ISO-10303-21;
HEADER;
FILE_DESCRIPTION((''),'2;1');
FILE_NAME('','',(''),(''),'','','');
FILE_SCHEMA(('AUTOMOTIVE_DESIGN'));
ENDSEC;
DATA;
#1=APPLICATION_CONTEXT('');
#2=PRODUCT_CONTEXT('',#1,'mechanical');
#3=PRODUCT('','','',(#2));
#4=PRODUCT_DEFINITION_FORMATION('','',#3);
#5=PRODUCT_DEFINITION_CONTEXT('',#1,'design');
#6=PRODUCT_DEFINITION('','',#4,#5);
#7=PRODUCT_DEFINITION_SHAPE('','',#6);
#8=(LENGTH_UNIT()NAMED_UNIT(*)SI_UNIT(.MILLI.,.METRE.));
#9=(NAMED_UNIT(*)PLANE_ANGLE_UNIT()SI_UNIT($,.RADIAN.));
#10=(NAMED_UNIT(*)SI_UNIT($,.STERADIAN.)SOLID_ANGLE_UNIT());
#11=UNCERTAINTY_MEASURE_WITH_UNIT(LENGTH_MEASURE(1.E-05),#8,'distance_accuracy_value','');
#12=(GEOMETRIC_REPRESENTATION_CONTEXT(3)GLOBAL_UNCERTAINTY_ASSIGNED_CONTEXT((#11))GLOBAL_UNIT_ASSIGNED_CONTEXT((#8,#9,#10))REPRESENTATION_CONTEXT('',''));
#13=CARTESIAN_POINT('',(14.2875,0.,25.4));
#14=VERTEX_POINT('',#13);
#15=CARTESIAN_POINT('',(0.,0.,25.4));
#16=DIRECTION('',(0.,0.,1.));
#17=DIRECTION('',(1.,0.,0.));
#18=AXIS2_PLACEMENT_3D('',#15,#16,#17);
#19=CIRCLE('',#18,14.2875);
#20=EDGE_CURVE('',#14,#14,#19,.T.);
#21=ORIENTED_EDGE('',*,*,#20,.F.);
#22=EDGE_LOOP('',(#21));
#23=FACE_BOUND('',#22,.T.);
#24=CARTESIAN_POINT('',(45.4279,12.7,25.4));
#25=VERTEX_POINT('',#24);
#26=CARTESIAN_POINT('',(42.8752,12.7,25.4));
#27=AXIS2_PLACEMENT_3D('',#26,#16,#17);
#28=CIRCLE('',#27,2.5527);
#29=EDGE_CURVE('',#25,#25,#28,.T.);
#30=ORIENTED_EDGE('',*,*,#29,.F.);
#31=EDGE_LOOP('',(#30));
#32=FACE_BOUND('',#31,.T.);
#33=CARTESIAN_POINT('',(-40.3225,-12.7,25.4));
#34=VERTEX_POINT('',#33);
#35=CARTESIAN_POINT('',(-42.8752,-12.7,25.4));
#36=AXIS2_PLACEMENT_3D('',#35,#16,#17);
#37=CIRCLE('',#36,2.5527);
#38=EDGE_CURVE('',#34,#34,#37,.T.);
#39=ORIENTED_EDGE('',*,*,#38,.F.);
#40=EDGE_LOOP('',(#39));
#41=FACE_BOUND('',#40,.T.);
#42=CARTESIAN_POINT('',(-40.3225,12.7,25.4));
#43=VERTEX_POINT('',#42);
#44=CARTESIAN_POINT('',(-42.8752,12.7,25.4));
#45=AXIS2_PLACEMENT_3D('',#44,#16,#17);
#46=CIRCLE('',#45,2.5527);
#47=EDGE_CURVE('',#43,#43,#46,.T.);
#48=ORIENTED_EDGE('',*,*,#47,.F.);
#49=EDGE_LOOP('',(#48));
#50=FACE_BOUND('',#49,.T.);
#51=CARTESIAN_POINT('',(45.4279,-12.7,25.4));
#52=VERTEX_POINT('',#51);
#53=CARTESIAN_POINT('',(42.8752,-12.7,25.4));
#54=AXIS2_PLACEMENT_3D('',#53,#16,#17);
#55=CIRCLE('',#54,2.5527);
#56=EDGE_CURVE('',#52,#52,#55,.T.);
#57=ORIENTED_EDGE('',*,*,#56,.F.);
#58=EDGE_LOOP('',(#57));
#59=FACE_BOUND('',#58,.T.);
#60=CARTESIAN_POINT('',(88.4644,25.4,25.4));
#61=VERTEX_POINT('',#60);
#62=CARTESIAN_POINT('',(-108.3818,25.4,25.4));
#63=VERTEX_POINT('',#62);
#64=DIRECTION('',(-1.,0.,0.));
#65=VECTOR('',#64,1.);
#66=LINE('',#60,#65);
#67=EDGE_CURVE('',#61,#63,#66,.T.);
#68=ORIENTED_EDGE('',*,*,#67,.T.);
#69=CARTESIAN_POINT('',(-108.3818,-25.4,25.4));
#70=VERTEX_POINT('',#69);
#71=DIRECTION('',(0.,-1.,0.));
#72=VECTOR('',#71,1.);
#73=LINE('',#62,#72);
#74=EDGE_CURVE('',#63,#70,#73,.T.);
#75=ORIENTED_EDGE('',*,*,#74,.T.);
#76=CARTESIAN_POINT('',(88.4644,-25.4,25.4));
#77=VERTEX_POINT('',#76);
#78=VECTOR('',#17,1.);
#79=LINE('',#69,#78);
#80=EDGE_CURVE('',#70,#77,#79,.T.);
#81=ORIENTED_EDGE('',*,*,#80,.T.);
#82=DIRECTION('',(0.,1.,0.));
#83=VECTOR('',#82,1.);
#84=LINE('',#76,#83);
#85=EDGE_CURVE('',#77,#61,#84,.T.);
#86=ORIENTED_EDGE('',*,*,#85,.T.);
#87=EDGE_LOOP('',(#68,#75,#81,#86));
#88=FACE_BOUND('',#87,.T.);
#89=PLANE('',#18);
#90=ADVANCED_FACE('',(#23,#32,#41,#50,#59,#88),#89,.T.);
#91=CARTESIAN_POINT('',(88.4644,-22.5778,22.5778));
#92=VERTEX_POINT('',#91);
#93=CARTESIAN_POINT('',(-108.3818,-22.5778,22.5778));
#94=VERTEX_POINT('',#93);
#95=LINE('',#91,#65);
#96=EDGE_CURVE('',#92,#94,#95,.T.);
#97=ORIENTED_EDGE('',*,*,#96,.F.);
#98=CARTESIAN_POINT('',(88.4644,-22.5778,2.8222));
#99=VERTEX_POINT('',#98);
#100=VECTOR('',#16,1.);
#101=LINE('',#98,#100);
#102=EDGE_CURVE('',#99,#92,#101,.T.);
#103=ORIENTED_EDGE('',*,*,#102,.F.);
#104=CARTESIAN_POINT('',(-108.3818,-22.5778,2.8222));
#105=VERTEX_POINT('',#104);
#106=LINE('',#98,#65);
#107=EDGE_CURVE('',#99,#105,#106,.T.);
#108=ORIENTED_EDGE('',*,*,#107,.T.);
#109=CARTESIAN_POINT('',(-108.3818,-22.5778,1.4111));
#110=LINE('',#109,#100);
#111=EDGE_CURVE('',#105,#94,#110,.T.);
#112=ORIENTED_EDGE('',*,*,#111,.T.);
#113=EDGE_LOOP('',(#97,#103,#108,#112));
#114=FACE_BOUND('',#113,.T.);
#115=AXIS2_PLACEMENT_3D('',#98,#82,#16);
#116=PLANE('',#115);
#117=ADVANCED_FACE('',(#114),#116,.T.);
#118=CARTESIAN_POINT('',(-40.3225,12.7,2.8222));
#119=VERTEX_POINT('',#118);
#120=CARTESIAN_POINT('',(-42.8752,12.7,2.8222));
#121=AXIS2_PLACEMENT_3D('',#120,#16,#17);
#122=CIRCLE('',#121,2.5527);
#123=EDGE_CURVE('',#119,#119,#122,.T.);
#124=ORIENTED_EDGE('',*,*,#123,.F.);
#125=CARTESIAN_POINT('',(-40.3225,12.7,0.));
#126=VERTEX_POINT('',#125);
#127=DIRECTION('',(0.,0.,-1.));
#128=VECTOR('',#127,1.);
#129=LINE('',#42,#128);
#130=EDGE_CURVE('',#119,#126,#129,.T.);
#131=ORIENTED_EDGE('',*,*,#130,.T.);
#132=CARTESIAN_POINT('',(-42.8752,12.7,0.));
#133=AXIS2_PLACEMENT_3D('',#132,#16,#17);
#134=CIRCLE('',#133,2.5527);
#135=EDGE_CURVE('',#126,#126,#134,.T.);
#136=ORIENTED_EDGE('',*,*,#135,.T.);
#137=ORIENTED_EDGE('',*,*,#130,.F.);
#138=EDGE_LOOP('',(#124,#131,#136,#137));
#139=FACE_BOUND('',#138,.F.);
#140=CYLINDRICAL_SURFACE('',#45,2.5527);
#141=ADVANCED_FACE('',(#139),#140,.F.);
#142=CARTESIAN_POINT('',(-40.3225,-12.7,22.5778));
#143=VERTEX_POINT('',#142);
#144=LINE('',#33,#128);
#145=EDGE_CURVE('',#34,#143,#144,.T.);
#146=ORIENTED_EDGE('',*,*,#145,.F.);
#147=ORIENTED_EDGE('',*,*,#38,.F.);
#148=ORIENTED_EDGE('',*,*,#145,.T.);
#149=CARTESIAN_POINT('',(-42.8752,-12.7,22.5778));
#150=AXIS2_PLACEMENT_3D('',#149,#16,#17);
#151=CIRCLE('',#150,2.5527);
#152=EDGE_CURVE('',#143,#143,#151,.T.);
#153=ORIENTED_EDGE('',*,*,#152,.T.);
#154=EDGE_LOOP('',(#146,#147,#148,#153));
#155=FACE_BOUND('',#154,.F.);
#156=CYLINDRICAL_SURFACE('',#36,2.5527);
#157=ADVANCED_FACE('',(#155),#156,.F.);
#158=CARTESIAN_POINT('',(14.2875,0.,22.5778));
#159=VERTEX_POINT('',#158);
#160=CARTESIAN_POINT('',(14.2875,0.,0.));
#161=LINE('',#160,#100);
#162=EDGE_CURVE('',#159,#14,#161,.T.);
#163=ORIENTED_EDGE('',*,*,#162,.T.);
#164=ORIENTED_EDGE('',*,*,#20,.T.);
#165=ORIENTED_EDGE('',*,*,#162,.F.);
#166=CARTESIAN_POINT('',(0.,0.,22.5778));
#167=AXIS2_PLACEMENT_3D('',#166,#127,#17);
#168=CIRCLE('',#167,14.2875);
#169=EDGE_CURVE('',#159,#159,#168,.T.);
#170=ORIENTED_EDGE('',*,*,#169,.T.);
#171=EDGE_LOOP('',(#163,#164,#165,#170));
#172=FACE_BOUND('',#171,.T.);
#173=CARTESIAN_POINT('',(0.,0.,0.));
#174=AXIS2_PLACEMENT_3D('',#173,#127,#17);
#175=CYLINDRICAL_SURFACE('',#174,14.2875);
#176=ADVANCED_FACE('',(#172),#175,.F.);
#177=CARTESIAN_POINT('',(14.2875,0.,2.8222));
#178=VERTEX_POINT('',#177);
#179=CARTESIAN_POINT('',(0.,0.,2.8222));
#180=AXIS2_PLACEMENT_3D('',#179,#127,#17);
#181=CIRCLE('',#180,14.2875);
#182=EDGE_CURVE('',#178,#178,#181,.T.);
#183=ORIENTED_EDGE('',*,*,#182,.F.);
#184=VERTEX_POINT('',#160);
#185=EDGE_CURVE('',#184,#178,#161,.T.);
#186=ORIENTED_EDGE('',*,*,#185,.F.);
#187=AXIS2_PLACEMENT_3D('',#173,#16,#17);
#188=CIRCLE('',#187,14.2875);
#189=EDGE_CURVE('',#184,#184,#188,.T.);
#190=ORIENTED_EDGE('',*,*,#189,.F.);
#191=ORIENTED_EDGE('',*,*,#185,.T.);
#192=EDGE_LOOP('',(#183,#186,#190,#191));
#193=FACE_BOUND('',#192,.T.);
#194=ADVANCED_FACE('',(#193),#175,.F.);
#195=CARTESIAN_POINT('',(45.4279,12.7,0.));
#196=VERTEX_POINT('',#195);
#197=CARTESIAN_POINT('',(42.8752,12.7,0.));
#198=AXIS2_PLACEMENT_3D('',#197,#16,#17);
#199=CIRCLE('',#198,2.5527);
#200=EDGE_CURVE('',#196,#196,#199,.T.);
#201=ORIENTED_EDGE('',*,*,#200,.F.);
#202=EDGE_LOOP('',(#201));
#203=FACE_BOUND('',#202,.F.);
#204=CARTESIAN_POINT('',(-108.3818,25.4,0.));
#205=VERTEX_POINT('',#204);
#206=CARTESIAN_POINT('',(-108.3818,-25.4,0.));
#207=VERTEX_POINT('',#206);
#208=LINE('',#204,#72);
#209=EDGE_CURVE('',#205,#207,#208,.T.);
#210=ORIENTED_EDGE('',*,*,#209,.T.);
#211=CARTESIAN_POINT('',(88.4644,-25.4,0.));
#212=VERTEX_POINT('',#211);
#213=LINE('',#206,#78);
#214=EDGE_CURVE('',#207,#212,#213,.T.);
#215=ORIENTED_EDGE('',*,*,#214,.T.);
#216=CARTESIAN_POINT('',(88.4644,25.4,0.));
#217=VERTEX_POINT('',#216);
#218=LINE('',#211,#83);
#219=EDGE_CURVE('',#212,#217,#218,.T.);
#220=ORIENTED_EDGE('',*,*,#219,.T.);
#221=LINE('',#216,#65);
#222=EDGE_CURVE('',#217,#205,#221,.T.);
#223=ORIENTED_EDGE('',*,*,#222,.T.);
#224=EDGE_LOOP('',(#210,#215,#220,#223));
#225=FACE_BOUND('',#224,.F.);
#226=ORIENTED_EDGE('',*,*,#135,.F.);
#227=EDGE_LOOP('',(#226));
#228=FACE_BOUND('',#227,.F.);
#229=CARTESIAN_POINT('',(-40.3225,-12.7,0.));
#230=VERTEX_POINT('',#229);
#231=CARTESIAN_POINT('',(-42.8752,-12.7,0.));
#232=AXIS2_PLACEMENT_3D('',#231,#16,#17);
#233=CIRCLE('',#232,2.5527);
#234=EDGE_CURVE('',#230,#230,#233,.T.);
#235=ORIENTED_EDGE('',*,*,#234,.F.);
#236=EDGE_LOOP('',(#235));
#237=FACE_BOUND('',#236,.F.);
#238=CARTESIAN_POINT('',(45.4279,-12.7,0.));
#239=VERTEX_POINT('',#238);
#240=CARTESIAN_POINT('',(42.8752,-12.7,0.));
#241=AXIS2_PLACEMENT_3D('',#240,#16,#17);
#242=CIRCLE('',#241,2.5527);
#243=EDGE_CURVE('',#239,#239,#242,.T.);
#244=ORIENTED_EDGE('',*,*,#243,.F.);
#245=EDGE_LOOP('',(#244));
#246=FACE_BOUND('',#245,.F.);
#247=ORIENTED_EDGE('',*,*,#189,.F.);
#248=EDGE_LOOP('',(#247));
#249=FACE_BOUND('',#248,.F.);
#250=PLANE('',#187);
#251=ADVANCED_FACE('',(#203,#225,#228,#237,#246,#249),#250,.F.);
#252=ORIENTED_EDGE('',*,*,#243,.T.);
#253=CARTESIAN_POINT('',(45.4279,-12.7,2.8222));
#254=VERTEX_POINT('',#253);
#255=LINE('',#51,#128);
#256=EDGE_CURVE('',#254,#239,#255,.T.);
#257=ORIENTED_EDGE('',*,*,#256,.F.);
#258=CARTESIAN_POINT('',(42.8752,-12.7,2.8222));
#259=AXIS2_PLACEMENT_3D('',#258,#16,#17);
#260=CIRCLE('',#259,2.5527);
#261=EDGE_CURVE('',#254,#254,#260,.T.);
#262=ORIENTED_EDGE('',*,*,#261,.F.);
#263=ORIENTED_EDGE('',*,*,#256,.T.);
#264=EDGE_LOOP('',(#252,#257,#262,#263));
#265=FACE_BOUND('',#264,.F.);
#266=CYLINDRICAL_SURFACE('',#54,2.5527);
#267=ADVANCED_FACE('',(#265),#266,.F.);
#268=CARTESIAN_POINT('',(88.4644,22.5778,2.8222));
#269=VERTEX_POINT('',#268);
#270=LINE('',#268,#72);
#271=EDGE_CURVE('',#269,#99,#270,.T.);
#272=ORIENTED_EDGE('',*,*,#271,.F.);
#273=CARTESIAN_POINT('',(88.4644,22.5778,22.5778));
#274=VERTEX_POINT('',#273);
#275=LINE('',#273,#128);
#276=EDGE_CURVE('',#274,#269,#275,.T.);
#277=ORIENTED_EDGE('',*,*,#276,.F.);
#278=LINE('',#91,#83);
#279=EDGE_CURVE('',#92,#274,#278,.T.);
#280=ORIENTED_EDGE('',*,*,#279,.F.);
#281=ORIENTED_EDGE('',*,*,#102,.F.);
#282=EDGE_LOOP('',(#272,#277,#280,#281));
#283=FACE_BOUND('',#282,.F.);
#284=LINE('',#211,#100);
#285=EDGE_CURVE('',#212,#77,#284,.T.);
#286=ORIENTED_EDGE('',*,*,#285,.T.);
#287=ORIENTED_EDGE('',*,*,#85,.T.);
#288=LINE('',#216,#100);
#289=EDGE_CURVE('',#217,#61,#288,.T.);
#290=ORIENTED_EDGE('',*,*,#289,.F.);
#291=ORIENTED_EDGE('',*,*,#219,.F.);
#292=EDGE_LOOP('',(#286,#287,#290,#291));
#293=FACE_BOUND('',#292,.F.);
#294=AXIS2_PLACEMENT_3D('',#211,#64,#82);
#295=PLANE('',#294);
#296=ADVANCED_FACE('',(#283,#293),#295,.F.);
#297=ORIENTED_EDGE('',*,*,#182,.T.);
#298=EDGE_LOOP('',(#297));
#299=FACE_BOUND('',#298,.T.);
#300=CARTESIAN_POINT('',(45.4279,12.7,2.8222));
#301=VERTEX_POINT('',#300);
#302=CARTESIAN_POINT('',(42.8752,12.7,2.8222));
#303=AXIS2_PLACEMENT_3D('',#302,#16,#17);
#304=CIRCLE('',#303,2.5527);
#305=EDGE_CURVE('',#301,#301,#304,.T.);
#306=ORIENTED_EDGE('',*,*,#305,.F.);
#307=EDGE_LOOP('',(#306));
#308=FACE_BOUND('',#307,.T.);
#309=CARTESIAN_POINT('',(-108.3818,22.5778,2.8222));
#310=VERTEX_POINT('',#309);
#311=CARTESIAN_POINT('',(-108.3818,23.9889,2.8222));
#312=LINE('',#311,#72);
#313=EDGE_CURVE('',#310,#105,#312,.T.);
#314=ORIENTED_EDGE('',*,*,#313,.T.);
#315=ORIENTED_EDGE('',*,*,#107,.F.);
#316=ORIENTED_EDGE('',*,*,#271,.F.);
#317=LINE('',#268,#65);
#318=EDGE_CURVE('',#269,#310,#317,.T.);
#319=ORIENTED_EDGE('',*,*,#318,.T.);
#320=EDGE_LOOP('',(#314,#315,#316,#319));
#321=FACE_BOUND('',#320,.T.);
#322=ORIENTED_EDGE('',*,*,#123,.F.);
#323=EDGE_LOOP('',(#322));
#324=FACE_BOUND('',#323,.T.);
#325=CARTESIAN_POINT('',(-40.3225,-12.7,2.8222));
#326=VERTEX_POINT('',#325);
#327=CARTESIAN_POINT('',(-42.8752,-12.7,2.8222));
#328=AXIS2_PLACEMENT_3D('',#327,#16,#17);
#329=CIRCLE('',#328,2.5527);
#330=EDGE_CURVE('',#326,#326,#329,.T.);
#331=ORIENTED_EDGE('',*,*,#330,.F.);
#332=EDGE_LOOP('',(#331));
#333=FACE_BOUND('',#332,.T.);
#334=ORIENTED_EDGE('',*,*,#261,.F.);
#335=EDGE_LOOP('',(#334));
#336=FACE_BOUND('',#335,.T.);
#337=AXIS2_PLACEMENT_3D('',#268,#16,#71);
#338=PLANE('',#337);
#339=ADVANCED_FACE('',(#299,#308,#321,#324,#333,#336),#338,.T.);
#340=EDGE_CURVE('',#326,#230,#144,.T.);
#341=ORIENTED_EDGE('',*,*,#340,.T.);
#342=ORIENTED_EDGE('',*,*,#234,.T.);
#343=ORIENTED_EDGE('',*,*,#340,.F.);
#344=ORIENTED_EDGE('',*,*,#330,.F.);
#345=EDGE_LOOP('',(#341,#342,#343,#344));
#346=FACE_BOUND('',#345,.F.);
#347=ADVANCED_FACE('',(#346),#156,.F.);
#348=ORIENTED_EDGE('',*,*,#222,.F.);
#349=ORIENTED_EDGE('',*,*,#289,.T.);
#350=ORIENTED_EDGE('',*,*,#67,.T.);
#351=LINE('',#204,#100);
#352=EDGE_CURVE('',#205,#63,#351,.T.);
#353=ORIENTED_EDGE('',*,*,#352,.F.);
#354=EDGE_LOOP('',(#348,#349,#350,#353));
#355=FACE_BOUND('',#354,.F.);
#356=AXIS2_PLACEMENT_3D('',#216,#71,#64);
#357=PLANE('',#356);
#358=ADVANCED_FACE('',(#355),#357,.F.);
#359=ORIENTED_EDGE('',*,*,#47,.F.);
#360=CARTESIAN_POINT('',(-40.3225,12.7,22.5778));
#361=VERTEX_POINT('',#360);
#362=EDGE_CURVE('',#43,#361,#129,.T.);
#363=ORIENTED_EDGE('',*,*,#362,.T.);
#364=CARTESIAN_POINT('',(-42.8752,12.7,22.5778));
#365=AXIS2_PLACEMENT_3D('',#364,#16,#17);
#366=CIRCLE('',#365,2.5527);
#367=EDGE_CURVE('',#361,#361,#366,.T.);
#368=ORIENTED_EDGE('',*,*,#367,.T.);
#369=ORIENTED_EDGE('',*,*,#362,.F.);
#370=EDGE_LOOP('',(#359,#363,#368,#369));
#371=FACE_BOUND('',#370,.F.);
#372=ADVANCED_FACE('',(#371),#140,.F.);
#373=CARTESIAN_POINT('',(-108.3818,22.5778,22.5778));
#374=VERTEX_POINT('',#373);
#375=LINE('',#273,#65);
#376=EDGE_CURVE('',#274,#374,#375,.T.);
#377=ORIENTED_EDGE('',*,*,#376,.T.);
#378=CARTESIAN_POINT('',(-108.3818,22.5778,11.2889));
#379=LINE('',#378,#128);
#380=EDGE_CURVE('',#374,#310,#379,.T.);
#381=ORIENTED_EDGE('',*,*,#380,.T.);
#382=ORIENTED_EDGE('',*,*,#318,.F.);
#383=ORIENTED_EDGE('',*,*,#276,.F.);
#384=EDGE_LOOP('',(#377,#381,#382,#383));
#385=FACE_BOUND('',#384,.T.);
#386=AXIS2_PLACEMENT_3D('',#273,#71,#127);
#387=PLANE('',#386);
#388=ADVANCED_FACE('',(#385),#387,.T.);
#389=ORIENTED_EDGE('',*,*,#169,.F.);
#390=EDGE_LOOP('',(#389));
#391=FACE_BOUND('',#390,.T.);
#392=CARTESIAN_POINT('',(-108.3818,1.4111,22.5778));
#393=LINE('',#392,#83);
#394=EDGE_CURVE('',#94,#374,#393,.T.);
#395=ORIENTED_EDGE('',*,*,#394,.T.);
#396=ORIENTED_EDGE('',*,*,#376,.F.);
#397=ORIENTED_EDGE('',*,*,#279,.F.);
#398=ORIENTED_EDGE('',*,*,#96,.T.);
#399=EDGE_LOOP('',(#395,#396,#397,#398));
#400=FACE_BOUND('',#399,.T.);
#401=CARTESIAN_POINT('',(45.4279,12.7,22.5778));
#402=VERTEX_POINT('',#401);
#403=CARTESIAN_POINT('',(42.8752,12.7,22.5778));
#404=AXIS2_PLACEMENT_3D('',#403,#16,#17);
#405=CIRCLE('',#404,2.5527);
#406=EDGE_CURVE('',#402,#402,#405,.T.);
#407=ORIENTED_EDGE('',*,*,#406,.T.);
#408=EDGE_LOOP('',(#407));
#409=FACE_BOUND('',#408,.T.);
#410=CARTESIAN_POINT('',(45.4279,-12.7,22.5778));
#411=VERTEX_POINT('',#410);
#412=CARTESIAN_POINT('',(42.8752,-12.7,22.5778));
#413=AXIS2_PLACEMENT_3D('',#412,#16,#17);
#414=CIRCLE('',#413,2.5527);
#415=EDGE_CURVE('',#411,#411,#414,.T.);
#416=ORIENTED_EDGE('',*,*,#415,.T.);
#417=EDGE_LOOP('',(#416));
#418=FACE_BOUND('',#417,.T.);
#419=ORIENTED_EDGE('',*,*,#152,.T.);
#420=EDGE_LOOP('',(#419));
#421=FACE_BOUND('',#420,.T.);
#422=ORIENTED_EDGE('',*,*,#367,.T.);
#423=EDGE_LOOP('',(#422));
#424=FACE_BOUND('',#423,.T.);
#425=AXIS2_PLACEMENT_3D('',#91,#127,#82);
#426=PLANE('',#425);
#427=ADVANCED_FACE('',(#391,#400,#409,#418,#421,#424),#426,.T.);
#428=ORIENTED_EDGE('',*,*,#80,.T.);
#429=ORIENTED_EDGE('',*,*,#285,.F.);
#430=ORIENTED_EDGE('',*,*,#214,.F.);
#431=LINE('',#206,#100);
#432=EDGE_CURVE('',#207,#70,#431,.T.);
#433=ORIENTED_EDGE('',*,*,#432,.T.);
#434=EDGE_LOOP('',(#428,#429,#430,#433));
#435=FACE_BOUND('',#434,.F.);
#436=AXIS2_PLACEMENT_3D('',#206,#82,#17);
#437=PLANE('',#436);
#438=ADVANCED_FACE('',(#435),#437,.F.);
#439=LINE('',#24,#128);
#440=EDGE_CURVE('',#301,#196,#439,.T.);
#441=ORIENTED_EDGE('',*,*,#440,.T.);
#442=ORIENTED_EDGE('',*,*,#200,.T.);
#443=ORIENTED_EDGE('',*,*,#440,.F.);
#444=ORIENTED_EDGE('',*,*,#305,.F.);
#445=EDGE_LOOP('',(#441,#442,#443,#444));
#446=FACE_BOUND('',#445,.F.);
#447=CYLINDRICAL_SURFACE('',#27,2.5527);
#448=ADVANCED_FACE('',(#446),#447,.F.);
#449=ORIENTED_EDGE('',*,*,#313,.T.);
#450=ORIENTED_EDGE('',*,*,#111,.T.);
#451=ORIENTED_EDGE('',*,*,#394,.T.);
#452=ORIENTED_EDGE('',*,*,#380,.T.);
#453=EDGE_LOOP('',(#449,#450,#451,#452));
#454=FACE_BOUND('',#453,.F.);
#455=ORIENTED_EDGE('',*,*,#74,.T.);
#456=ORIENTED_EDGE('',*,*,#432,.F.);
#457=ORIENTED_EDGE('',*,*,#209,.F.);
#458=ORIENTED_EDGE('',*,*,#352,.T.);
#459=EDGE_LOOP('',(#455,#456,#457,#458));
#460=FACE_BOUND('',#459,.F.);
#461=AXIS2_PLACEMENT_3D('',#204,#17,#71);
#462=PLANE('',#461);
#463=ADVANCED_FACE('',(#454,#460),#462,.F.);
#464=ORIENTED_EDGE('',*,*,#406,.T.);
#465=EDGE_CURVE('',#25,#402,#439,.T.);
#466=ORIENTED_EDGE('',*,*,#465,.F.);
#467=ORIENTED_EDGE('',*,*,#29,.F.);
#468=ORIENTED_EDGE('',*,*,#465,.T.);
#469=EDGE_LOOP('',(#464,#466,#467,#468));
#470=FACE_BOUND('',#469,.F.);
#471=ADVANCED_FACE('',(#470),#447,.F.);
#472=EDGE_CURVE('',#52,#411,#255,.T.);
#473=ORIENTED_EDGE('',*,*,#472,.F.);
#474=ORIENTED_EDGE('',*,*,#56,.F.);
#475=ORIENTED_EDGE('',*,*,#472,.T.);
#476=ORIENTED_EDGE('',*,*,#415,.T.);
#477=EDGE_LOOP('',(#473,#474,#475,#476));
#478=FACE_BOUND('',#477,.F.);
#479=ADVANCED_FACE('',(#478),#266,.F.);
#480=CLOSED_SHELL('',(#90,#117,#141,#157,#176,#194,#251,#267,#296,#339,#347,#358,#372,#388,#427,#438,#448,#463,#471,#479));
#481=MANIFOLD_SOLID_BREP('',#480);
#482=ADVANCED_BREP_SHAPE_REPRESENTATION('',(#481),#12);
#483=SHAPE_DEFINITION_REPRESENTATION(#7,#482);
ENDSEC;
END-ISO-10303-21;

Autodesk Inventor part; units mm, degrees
ref_plane "YZ Plane" through (0, 0, 0) normal (1, 0, 0) x (0, 1, 0)
ref_plane "XZ Plane" through (0, 0, 0) normal (0, 1, 0) x (-1, 0, 0)
ref_plane "XY Plane" through (0, 0, 0) normal (0, 0, 1) x (1, 0, 0)
sketch "Sketch1" plane through (0, 0, 0) normal (0, 0, 1) x (1, 0, 0)
  circle A0 centre (0, 0) radius 14.2875
  line L0 (88.4644, 25.4) -> (-108.3818, 25.4)
  line L1 (-108.3818, 25.4) -> (-108.3818, -25.4)
  line L2 (-108.3818, -25.4) -> (88.4644, -25.4)
  line L3 (88.4644, -25.4) -> (88.4644, 25.4)
  dimension "d0" = 28.575
  dimension "d4" = 50.8
  dimension "d15" = 88.4644
  dimension "d16" = 108.3818
extrude "Extrusion1" add sketch "Sketch1" along normal blind 25.4
sketch "Sketch2" plane through (88.4644, -25.4, 0) normal (1, 0, 0) x (0, 0, -1)
  line L0 (0, 50.8) -> (-25.4, 50.8) projected
  line L1 (0, 0) -> (-25.4, 0) projected
  line L2 (0, 50.8) -> (-25.4, 50.8)
  line L3 (-25.4, 50.8) -> (-25.4, 0)
  line L4 (-25.4, 0) -> (0, 0)
  line L5 (0, 0) -> (0, 50.8)
  line L6 (-22.5778, 2.8222) -> (-22.5778, 47.9778)
  line L7 (-22.5778, 47.9778) -> (-2.8222, 47.9778)
  line L8 (-2.8222, 47.9778) -> (-2.8222, 2.8222)
  line L9 (-2.8222, 2.8222) -> (-22.5778, 2.8222)
  point P0 (0, 25.4)
  dimension "d7" = 2.8222
extrude "Extrusion2" cut sketch "Sketch2" against normal blind 203.2 contours L6 L7 L8 L9
sketch "Sketch3" plane through (0, 0, 25.4) normal (0, 0, 1) x (1, 0, 0)
  circle A0 centre (42.8752, 12.7) radius 2.5527
  circle A1 centre (42.8752, -12.7) radius 2.5527
  circle A2 centre (-42.8752, 12.7) radius 2.5527
  circle A3 centre (-42.8752, -12.7) radius 2.5527
  point P0 (0, 0)
  dimension "d12" = 5.1054
extrude "Extrusion3" cut sketch "Sketch3" against normal blind 25.4
sketch "Sketch4" plane through (0, 0, 25.4) normal (0, 0, 1) x (1, 0, 0)
  point P0 (0, 0)
properties part number "gearboxsupportbar" material "Aluminum 6061"
